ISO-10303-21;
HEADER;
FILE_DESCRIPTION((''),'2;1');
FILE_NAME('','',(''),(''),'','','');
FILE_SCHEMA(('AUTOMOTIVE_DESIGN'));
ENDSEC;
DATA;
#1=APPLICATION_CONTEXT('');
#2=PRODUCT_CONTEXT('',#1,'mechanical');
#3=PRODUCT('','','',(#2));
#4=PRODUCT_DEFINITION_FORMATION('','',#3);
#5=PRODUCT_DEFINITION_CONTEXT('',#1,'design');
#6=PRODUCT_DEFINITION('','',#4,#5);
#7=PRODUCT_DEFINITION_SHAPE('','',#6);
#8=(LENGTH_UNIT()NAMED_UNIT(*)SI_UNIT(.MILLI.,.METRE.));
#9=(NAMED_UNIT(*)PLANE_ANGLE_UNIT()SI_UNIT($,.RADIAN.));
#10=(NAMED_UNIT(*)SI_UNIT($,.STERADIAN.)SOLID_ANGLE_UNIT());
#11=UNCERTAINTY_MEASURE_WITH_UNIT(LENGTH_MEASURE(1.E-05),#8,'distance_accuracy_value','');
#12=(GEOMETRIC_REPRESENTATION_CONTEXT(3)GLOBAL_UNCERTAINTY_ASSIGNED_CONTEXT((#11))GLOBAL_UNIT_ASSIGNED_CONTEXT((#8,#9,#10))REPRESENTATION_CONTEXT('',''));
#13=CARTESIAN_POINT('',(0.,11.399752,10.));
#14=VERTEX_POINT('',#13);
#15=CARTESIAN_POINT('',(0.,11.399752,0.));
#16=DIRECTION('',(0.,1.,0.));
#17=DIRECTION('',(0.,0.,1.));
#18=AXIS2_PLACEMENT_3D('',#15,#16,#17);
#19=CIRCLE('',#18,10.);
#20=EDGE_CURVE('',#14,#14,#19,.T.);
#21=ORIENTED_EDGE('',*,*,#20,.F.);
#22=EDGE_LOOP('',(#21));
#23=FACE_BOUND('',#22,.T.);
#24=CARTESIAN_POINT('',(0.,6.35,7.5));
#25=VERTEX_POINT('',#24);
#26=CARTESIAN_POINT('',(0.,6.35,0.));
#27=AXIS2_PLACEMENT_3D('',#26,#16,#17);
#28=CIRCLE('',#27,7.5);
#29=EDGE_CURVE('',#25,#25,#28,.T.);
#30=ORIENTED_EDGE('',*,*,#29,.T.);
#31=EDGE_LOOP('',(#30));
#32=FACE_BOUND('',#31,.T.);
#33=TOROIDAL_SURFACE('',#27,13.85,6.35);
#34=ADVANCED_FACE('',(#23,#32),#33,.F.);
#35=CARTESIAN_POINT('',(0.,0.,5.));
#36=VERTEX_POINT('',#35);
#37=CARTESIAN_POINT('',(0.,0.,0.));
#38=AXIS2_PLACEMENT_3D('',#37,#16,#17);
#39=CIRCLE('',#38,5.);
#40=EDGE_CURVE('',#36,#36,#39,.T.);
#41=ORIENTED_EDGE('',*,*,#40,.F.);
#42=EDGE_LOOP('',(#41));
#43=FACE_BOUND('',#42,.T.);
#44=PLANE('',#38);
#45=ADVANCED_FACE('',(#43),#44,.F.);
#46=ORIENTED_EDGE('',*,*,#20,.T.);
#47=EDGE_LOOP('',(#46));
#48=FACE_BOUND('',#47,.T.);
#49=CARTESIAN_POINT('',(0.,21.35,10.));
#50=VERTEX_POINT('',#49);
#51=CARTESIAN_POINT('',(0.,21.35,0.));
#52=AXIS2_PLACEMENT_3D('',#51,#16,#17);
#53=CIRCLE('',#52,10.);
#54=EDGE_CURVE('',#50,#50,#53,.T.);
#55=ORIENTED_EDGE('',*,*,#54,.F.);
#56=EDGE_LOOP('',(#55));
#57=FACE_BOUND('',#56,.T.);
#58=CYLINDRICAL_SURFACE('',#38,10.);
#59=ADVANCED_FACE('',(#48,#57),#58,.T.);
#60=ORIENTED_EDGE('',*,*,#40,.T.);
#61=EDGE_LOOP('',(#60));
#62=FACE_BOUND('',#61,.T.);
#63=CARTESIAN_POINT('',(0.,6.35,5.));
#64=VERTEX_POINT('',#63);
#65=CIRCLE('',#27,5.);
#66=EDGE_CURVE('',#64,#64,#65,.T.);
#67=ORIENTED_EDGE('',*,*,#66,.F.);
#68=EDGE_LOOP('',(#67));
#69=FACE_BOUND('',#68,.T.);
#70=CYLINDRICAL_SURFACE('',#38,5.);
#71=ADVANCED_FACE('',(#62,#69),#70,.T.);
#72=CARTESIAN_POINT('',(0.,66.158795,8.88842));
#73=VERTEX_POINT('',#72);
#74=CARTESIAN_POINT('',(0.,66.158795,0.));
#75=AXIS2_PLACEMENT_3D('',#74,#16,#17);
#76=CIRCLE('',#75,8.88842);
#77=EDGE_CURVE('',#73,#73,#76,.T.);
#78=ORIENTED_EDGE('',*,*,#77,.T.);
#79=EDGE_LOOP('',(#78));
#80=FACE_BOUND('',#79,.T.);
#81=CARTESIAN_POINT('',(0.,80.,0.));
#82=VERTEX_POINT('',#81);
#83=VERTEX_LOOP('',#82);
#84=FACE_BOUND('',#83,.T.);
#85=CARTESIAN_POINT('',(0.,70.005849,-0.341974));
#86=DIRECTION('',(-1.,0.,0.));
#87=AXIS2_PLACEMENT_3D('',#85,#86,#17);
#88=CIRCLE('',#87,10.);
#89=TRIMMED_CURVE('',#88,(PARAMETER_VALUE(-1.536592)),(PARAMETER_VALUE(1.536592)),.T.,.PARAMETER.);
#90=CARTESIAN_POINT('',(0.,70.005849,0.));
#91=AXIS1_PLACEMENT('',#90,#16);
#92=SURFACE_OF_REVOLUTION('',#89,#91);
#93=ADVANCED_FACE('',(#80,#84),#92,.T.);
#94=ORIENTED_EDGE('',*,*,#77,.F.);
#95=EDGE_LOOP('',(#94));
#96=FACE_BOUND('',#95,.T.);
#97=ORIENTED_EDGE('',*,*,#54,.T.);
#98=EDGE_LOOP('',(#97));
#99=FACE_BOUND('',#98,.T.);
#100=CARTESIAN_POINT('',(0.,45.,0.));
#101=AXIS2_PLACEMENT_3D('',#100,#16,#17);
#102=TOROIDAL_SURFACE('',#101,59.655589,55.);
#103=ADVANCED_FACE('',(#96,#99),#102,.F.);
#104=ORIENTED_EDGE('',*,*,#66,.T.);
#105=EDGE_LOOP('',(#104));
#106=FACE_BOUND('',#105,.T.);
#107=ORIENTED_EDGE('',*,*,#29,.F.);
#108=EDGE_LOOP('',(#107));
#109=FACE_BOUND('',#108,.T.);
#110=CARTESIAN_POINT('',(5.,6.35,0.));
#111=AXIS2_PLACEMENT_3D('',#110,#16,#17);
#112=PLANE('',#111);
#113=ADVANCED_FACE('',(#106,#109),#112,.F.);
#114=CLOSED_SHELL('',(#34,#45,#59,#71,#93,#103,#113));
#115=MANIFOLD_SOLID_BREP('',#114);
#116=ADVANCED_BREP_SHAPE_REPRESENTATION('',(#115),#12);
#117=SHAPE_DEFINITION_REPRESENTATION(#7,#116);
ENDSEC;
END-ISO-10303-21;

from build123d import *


with BuildPart() as part:
    # Sketch1 → Base-Revolve (revolve)
    with BuildSketch(Plane.XY, mode=Mode.PRIVATE) as base_revolve_sk:
        with BuildLine():
            Line((0, 0), (5, 0))
            Line((5, 0), (5, 6.35))
            Line((5, 6.35), (7.5, 6.35))
            ThreePointArc((7.5, 6.35), (8.15921798, 9.167356917), (10, 11.399752469))
            Line((10, 11.399752469), (10, 21.35))
            ThreePointArc((10, 21.35), (4.672504387, 43.636025128), (8.888420475, 66.158795319))
            ThreePointArc((8.888420475, 66.158795319), (8.07243614, 75.409339174), (0, 80))
            Line((0, 80), (0, 0))
        make_face()
    revolve(base_revolve_sk.sketch.rotate(Axis((0, 0, 0), (0, -1, 0)), 90), axis=Axis((0, 0, 0), (0, -1, 0)))


solid = part.part
